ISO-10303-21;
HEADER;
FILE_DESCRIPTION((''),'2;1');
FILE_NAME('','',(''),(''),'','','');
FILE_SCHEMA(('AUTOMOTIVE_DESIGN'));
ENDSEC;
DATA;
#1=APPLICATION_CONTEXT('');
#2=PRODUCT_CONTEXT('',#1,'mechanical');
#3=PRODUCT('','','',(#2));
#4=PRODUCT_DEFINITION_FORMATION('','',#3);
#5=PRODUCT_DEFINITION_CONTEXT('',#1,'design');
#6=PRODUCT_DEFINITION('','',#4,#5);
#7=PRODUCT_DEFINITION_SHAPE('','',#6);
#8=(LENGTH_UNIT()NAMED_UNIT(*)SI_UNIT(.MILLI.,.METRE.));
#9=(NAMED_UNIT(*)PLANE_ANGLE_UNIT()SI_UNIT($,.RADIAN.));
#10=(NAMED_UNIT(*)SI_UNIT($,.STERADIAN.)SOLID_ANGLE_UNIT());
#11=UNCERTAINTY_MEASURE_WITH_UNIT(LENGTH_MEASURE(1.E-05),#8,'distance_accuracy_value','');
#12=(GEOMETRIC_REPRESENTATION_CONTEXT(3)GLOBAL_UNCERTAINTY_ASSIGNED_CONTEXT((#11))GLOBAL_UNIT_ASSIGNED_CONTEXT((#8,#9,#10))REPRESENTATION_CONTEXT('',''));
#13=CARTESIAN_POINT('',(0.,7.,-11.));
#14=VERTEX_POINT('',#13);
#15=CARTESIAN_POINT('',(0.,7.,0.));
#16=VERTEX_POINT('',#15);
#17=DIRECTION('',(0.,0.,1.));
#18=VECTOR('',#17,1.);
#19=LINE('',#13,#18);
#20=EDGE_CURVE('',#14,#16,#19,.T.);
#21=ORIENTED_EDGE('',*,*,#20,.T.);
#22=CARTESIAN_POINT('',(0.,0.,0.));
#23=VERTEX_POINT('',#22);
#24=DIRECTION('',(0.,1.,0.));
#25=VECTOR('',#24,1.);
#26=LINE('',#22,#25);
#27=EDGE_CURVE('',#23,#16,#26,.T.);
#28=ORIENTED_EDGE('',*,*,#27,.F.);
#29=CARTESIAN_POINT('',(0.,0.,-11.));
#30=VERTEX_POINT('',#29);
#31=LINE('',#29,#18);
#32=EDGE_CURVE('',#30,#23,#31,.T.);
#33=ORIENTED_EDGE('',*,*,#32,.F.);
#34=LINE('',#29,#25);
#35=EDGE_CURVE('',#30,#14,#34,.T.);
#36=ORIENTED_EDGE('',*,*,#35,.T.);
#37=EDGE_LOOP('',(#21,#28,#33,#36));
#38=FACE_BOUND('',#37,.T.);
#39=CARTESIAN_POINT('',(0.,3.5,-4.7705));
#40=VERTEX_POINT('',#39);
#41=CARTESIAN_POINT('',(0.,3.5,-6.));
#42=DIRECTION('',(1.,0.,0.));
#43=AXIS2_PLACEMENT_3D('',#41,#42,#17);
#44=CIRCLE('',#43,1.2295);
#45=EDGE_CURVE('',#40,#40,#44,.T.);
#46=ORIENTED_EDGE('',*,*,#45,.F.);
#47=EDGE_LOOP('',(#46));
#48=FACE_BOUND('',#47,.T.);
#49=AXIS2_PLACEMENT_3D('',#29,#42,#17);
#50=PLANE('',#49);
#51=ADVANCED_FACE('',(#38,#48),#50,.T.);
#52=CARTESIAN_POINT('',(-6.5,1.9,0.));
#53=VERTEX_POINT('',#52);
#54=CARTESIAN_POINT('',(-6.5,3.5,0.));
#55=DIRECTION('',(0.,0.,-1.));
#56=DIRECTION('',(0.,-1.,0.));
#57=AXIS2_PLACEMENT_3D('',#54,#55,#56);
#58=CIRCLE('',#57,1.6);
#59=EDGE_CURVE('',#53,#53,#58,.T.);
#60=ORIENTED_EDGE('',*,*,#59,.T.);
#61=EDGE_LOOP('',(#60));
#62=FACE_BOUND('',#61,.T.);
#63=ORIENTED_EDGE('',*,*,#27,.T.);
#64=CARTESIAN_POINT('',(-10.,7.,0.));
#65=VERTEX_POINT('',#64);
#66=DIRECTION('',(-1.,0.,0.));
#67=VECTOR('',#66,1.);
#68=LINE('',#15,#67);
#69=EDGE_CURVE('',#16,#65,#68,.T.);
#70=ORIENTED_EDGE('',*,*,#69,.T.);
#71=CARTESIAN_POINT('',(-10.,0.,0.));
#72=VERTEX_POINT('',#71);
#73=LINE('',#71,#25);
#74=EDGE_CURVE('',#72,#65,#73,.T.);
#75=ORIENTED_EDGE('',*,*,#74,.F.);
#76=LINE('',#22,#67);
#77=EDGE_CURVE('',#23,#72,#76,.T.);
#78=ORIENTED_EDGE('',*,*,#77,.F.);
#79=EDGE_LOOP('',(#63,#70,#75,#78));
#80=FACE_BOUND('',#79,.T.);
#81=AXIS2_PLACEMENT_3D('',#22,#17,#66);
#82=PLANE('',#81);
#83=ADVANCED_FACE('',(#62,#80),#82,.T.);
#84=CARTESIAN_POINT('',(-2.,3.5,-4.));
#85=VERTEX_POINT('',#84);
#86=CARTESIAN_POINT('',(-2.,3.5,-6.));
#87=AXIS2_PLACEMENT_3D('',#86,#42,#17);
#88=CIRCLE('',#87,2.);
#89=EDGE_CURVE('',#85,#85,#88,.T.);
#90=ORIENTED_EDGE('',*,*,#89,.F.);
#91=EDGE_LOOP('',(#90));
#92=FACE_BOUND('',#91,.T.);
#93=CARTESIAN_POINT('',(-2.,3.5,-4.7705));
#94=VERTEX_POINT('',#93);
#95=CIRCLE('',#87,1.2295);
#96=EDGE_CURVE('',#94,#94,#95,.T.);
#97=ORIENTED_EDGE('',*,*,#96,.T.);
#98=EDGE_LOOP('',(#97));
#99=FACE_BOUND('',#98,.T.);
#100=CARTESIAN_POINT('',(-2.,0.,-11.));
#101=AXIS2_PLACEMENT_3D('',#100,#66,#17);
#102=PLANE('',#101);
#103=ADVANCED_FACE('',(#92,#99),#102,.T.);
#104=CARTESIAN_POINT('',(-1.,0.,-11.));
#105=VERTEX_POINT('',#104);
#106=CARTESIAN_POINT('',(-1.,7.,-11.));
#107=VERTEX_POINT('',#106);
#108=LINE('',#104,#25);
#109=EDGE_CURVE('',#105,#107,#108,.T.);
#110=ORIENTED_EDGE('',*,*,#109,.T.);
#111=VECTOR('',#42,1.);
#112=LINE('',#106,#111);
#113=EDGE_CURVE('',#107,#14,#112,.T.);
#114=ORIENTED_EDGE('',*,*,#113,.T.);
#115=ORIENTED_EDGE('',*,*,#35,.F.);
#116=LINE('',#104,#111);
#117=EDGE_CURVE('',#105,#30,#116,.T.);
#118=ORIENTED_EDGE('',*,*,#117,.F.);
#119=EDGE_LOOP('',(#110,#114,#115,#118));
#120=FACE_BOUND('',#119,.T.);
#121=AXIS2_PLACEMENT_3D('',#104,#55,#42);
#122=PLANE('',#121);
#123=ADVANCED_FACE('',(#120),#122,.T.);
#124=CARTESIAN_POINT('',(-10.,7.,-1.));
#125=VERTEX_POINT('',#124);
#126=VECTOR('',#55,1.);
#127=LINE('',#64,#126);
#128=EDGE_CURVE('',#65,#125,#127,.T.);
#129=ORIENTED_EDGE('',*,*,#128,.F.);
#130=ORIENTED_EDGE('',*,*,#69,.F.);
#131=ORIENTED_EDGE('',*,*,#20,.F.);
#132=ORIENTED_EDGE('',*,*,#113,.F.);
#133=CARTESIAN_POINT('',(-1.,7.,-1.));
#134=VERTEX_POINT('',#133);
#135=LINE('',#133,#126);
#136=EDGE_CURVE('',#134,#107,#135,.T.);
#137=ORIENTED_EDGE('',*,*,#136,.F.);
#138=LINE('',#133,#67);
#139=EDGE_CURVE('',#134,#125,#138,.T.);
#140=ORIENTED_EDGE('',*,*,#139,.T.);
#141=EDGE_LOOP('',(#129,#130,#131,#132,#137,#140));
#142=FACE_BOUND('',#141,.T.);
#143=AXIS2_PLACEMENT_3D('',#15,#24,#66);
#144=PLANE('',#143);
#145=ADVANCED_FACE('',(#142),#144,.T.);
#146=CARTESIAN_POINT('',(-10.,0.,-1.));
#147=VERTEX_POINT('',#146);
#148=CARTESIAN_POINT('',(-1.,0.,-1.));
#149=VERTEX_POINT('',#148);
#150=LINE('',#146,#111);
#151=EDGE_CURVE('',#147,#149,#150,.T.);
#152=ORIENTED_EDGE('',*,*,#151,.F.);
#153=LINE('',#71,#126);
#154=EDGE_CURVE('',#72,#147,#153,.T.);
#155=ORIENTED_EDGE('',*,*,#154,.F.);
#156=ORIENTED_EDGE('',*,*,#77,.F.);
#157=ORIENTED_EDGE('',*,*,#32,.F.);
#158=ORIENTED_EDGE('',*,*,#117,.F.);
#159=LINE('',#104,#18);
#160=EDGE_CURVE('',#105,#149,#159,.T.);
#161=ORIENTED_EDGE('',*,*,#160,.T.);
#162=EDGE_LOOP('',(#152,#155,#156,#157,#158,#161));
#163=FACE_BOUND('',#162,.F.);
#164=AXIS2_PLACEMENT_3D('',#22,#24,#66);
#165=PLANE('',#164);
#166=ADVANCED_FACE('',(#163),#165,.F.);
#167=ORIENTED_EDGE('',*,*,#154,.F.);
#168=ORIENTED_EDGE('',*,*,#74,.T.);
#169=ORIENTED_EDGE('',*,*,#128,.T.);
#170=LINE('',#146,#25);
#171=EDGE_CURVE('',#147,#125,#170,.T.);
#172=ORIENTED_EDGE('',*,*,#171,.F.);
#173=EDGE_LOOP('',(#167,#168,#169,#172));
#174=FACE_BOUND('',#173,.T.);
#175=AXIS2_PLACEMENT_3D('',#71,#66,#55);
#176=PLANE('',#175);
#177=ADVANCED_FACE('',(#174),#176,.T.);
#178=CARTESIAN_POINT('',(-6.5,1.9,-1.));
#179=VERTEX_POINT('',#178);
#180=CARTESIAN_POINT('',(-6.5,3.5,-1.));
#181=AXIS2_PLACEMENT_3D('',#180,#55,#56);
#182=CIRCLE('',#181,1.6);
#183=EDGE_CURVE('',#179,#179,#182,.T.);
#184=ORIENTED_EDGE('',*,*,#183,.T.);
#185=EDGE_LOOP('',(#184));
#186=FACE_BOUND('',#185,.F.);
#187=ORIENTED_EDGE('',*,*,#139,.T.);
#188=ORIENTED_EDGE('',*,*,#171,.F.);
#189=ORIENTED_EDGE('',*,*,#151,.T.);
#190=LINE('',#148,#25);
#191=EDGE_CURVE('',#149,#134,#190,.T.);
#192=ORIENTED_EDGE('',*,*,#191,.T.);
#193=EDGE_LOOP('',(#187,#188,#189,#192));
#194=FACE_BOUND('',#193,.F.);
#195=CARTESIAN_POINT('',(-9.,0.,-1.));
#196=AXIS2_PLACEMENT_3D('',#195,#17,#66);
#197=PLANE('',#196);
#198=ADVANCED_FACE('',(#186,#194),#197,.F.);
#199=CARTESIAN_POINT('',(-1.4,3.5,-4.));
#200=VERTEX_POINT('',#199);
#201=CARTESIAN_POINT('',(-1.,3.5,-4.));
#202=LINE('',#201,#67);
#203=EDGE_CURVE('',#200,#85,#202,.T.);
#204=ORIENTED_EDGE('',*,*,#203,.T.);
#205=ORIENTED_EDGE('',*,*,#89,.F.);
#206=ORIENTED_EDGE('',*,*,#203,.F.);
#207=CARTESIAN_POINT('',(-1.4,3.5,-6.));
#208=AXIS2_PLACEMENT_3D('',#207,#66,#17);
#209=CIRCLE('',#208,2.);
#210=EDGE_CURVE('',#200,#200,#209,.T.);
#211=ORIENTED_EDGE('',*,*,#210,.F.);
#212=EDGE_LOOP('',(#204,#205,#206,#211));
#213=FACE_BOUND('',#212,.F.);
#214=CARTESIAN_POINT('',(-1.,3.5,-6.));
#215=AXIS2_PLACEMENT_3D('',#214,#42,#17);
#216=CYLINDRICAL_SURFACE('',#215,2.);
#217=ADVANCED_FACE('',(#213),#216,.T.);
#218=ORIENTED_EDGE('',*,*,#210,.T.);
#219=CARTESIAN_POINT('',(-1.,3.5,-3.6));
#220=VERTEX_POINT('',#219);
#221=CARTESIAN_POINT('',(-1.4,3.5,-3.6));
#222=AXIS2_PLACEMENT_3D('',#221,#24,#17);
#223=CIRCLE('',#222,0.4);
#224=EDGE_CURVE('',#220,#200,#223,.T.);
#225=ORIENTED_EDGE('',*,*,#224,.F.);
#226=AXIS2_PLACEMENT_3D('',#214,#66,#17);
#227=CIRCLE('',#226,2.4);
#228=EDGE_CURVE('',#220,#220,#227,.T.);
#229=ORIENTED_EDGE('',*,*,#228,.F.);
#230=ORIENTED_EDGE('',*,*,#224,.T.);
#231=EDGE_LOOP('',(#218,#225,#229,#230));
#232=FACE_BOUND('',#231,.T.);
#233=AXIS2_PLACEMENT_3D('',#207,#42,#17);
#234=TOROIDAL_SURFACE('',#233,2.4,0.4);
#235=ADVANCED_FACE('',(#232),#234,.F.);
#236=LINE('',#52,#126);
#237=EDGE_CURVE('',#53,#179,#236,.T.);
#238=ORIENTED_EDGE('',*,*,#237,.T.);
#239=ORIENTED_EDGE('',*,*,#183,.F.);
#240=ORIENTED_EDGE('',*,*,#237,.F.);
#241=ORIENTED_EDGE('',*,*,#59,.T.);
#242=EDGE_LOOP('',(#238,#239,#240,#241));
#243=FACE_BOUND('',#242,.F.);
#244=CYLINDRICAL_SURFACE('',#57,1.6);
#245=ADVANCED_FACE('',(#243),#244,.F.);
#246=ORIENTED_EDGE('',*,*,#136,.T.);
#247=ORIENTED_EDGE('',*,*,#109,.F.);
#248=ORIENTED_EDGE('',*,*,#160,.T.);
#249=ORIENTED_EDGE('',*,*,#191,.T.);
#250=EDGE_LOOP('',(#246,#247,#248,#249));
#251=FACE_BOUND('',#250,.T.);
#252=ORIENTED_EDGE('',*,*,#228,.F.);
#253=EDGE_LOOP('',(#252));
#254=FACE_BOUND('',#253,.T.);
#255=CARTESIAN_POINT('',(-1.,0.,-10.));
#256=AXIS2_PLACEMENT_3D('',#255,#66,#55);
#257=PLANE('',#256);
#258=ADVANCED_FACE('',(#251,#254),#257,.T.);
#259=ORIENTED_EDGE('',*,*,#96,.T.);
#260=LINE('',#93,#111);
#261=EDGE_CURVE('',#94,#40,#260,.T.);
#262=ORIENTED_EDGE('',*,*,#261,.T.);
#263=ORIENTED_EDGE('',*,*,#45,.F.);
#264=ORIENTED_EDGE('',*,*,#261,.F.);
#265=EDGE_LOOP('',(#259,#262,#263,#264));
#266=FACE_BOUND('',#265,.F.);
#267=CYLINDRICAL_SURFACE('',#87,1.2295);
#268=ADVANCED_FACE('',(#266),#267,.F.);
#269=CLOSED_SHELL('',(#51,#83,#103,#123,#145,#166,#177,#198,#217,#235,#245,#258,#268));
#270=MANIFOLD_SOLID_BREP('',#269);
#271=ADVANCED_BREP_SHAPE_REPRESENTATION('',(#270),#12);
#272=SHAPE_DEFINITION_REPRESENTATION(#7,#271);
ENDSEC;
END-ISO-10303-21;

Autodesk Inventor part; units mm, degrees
ref_plane "YZ Plane" through (0, 0, 0) normal (1, 0, 0) x (0, 1, 0)
ref_plane "XZ Plane" through (0, 0, 0) normal (0, 1, 0) x (-1, 0, 0)
ref_plane "XY Plane" through (0, 0, 0) normal (0, 0, 1) x (1, 0, 0)
sketch "Sketch1" plane through (0, 0, 0) normal (0, 1, 0) x (-1, 0, 0)
  line L0 (1, -11) -> (0, -11)
  line L1 (0, -11) -> (0, 0)
  line L2 (0, 0) -> (10, 0)
  line L3 (10, 0) -> (10, -1)
  line L4 (9, -1) -> (1, -1)
  line L5 (1, -1) -> (1, -10)
  line L6 (1, -10) -> (1, -11)
  line L7 (9, -1) -> (10, -1)
  dimension "d0" = 10
  dimension "d1" = 11
  dimension "d2" = 1
extrude "Extrusion1" add sketch "Sketch1" along normal blind 7
sketch "Sketch2" plane through (-10, 0, 0) normal (0, 0, 1) x (1, 0, 0)
  line L0 (-7.7219, 3.5) -> (14.6275, 3.5)
  line L1 (3.5, 11.0535) -> (3.5, -3.5767)
  line L2 (10, 0) -> (10, 7) projected
  line L3 (0, 0) -> (0, 7) projected
  point P0 (10, 3.5)
  point P1 (3.5, 3.5)
  dimension "d13" = 6.5
hole "Hole1" at (-6.5, 3.5, 0) direction (0, 0, -1) diameter 3.2 end through all clearance for "Flat Head Machine Screw" size "M3" standard "Ansi Metric M Profile"
sketch "Sketch3" plane through (-1, 0, -11) normal (-1, 0, 0) x (0, 0, 1)
  line L0 (5, -6.7291) -> (5, 15.8224)
  line L1 (-2.4783, 3.5) -> (17.6078, 3.5)
  line L2 (0, 0) -> (10, 0) projected
  line L3 (10, 0) -> (10, 7) projected
  line L4 (0, 7) -> (10, 7) projected
  line L5 (0, 0) -> (0, 7) projected
  line L6 (11, 0) -> (11, 7) projected
  circle A0 centre (5, 3.5) radius 2
  point P0 (0, 3.5)
  dimension "d14" = 6
  dimension "d15" = 4
extrude "Extrusion2" add sketch "Sketch3" along normal blind 1 contours A0 L1 L0 | L0 L1 A0 | L1 A0 L0 | L0 A0 L1
fillet "Fillet1" radius 0.4 1 edges at (-1, 3.5, -8)
sketch "Sketch4" plane through (-2, 3.5, -6) normal (-1, 0, 0) x (0, 0, 1)
  point P0 (6, -3.5)
  point P1 (0, 0)
hole "Hole2" at (-2, 3.5, -6) direction (1, 0, 0) diameter 2.459 end through all thread size "M3x0.5" class "6H" standard "ISO Metric profile"
properties part number "Single Thrd Right Support Farnell1466883"
